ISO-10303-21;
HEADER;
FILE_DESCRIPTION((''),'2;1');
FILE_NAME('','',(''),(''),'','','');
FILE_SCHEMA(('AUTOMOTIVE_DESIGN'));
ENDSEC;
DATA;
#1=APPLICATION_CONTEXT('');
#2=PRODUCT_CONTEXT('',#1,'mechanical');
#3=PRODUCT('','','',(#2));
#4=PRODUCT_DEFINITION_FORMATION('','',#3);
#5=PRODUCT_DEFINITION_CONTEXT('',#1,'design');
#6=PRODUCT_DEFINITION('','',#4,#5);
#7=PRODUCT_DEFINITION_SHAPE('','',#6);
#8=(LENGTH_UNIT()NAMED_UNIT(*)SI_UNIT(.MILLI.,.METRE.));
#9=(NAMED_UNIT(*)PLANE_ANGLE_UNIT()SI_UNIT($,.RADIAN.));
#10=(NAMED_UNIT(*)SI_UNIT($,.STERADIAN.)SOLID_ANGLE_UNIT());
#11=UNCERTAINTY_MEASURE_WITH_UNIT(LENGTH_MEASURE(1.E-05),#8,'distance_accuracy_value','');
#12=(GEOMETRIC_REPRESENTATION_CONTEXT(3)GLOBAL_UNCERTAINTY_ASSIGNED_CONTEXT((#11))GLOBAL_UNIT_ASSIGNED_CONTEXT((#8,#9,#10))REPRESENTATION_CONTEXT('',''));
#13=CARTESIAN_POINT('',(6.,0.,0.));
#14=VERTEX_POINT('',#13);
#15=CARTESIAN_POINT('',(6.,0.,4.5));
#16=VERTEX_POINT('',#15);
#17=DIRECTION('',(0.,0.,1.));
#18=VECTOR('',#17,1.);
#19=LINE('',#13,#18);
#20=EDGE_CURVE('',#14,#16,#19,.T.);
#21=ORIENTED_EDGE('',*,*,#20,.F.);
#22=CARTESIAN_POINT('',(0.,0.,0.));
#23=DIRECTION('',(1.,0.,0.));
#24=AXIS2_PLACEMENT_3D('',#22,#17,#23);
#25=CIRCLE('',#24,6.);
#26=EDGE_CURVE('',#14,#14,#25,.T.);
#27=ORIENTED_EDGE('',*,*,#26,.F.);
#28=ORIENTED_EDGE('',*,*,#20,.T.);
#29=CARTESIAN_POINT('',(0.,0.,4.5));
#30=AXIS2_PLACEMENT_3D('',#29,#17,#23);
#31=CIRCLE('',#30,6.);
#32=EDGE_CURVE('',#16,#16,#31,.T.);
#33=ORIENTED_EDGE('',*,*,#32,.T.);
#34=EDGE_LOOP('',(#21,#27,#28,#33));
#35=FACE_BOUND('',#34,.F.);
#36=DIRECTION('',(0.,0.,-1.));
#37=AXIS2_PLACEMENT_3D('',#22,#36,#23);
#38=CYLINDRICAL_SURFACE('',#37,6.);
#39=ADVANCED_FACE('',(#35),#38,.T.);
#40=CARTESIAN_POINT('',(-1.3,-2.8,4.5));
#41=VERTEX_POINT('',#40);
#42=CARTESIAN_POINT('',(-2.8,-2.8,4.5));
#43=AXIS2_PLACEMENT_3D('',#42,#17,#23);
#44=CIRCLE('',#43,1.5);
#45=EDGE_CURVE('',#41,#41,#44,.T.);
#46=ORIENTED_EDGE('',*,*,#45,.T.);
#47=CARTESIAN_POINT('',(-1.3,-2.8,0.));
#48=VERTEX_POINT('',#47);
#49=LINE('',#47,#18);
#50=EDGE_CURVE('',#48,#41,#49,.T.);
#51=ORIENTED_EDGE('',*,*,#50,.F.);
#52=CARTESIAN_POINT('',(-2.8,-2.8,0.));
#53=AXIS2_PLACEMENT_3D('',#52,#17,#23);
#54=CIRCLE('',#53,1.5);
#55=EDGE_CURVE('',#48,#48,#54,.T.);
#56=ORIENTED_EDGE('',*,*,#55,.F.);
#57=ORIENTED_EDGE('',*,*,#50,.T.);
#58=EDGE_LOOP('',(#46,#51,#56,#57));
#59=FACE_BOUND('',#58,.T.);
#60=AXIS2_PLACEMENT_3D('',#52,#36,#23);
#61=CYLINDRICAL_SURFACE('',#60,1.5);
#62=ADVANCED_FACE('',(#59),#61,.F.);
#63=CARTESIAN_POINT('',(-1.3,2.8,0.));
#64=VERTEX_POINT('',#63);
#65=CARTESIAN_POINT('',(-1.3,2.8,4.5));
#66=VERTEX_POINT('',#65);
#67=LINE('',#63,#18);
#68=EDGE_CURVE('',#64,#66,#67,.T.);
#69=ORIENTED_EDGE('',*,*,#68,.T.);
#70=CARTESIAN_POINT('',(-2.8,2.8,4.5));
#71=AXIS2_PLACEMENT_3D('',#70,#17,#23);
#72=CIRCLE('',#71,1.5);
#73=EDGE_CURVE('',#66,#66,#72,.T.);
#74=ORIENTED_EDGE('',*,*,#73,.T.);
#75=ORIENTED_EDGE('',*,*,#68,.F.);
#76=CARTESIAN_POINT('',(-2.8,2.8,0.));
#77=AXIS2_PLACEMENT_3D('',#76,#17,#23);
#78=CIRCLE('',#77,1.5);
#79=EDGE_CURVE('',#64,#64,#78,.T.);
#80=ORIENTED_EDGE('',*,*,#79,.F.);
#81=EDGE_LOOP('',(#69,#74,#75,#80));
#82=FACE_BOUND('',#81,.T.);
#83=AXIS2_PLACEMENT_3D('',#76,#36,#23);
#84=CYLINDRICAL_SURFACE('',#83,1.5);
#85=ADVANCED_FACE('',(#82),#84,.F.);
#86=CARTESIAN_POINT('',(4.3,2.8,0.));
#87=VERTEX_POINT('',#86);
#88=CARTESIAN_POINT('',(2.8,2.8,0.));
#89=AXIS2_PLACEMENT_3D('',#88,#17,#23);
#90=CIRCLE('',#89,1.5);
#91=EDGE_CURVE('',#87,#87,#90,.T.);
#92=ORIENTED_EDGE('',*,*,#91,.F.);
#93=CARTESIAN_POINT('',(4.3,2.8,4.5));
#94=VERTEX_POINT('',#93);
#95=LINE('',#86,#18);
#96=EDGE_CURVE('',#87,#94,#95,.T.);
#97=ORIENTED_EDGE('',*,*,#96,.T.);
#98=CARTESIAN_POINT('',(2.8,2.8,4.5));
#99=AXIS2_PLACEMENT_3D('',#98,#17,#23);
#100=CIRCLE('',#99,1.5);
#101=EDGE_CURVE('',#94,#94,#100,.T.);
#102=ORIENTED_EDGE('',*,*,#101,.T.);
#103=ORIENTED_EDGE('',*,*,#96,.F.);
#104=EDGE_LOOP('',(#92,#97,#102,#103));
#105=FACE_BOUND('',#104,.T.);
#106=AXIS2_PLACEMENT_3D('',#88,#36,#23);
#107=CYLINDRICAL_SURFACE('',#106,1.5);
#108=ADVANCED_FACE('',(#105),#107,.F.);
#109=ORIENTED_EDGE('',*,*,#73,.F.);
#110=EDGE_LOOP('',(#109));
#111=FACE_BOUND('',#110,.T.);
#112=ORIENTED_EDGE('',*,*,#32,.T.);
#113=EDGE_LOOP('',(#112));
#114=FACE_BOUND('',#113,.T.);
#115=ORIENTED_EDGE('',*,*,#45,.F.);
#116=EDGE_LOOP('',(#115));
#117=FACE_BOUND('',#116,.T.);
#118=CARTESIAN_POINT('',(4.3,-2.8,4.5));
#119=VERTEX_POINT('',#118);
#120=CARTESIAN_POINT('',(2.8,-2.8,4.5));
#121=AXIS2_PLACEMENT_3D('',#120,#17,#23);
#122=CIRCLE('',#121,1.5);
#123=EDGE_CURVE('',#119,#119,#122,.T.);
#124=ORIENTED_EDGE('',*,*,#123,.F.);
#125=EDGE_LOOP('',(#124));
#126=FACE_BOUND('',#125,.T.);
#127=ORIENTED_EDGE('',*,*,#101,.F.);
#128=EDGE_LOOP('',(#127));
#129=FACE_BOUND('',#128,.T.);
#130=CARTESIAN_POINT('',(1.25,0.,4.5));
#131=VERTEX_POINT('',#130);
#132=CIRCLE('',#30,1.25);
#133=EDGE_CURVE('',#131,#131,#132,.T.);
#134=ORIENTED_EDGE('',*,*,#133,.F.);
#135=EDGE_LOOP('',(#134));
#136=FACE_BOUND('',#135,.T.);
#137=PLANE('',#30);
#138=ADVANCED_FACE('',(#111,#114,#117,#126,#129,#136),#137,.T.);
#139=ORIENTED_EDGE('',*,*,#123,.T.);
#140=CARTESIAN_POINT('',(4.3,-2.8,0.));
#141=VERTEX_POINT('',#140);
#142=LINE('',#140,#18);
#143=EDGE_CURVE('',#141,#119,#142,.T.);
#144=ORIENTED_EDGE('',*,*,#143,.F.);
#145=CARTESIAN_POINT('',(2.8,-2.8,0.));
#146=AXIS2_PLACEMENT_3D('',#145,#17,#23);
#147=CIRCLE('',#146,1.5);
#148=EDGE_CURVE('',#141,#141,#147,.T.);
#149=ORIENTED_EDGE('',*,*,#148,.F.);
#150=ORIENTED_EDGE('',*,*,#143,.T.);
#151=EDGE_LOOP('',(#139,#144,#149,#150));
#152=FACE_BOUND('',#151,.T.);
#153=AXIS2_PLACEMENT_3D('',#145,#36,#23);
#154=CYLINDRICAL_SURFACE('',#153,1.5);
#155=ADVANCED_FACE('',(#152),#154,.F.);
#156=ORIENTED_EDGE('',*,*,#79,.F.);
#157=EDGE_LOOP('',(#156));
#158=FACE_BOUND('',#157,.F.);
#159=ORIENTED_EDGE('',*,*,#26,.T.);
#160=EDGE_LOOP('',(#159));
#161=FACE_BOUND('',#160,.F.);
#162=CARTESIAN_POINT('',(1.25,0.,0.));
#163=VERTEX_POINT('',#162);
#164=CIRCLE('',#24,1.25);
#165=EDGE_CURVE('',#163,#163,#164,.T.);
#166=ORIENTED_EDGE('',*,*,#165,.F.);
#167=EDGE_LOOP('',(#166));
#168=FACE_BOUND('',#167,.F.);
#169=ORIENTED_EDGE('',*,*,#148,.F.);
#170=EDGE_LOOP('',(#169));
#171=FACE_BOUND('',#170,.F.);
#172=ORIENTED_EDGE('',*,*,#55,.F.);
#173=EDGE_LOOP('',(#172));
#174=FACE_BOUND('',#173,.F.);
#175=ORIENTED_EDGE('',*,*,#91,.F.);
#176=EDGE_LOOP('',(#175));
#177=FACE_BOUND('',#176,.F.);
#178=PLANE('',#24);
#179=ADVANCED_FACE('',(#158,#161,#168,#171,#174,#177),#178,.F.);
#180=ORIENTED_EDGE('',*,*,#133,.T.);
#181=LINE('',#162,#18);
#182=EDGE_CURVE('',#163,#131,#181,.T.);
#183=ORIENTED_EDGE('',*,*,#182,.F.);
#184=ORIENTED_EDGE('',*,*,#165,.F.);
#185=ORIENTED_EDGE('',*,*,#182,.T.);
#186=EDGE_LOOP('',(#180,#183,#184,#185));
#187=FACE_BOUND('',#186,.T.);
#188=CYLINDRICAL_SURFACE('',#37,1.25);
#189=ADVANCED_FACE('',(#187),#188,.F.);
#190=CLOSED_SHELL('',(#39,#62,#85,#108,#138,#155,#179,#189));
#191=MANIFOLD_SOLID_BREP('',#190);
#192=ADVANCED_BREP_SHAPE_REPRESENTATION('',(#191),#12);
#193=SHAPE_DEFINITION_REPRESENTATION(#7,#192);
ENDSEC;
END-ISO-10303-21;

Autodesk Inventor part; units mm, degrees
ref_plane "YZ Plane" through (0, 0, 0) normal (1, 0, 0) x (0, 1, 0)
ref_plane "XZ Plane" through (0, 0, 0) normal (0, 1, 0) x (-1, 0, 0)
ref_plane "XY Plane" through (0, 0, 0) normal (0, 0, 1) x (1, 0, 0)
sketch "スケッチ1" plane through (0, 0, 0) normal (0, 0, 1) x (1, 0, 0)
  line L0 (-2.8, 2.8) -> (2.8, 2.8) construction
  line L1 (2.8, 2.8) -> (2.8, -2.8) construction
  line L2 (2.8, -2.8) -> (-2.8, -2.8) construction
  line L3 (-2.8, -2.8) -> (-2.8, 2.8) construction
  circle A0 centre (-2.8, 2.8) radius 1.5
  circle A1 centre (2.8, 2.8) radius 1.5
  circle A2 centre (2.8, -2.8) radius 1.5
  circle A3 centre (-2.8, -2.8) radius 1.5
  circle A4 centre (0, 0) radius 1.25
  circle A5 centre (0, 0) radius 6
  dimension "d0" = 3
  dimension "d1" = 3
  dimension "d2" = 3
  dimension "d3" = 3
  dimension "d4" = 5.6
  dimension "d5" = 2.5
  dimension "d6" = 12
extrude "押し出し1" add sketch "スケッチ1" along normal blind 4.5
properties part number "脚最終段カム5" material "アルミニウム 2014-T4"
